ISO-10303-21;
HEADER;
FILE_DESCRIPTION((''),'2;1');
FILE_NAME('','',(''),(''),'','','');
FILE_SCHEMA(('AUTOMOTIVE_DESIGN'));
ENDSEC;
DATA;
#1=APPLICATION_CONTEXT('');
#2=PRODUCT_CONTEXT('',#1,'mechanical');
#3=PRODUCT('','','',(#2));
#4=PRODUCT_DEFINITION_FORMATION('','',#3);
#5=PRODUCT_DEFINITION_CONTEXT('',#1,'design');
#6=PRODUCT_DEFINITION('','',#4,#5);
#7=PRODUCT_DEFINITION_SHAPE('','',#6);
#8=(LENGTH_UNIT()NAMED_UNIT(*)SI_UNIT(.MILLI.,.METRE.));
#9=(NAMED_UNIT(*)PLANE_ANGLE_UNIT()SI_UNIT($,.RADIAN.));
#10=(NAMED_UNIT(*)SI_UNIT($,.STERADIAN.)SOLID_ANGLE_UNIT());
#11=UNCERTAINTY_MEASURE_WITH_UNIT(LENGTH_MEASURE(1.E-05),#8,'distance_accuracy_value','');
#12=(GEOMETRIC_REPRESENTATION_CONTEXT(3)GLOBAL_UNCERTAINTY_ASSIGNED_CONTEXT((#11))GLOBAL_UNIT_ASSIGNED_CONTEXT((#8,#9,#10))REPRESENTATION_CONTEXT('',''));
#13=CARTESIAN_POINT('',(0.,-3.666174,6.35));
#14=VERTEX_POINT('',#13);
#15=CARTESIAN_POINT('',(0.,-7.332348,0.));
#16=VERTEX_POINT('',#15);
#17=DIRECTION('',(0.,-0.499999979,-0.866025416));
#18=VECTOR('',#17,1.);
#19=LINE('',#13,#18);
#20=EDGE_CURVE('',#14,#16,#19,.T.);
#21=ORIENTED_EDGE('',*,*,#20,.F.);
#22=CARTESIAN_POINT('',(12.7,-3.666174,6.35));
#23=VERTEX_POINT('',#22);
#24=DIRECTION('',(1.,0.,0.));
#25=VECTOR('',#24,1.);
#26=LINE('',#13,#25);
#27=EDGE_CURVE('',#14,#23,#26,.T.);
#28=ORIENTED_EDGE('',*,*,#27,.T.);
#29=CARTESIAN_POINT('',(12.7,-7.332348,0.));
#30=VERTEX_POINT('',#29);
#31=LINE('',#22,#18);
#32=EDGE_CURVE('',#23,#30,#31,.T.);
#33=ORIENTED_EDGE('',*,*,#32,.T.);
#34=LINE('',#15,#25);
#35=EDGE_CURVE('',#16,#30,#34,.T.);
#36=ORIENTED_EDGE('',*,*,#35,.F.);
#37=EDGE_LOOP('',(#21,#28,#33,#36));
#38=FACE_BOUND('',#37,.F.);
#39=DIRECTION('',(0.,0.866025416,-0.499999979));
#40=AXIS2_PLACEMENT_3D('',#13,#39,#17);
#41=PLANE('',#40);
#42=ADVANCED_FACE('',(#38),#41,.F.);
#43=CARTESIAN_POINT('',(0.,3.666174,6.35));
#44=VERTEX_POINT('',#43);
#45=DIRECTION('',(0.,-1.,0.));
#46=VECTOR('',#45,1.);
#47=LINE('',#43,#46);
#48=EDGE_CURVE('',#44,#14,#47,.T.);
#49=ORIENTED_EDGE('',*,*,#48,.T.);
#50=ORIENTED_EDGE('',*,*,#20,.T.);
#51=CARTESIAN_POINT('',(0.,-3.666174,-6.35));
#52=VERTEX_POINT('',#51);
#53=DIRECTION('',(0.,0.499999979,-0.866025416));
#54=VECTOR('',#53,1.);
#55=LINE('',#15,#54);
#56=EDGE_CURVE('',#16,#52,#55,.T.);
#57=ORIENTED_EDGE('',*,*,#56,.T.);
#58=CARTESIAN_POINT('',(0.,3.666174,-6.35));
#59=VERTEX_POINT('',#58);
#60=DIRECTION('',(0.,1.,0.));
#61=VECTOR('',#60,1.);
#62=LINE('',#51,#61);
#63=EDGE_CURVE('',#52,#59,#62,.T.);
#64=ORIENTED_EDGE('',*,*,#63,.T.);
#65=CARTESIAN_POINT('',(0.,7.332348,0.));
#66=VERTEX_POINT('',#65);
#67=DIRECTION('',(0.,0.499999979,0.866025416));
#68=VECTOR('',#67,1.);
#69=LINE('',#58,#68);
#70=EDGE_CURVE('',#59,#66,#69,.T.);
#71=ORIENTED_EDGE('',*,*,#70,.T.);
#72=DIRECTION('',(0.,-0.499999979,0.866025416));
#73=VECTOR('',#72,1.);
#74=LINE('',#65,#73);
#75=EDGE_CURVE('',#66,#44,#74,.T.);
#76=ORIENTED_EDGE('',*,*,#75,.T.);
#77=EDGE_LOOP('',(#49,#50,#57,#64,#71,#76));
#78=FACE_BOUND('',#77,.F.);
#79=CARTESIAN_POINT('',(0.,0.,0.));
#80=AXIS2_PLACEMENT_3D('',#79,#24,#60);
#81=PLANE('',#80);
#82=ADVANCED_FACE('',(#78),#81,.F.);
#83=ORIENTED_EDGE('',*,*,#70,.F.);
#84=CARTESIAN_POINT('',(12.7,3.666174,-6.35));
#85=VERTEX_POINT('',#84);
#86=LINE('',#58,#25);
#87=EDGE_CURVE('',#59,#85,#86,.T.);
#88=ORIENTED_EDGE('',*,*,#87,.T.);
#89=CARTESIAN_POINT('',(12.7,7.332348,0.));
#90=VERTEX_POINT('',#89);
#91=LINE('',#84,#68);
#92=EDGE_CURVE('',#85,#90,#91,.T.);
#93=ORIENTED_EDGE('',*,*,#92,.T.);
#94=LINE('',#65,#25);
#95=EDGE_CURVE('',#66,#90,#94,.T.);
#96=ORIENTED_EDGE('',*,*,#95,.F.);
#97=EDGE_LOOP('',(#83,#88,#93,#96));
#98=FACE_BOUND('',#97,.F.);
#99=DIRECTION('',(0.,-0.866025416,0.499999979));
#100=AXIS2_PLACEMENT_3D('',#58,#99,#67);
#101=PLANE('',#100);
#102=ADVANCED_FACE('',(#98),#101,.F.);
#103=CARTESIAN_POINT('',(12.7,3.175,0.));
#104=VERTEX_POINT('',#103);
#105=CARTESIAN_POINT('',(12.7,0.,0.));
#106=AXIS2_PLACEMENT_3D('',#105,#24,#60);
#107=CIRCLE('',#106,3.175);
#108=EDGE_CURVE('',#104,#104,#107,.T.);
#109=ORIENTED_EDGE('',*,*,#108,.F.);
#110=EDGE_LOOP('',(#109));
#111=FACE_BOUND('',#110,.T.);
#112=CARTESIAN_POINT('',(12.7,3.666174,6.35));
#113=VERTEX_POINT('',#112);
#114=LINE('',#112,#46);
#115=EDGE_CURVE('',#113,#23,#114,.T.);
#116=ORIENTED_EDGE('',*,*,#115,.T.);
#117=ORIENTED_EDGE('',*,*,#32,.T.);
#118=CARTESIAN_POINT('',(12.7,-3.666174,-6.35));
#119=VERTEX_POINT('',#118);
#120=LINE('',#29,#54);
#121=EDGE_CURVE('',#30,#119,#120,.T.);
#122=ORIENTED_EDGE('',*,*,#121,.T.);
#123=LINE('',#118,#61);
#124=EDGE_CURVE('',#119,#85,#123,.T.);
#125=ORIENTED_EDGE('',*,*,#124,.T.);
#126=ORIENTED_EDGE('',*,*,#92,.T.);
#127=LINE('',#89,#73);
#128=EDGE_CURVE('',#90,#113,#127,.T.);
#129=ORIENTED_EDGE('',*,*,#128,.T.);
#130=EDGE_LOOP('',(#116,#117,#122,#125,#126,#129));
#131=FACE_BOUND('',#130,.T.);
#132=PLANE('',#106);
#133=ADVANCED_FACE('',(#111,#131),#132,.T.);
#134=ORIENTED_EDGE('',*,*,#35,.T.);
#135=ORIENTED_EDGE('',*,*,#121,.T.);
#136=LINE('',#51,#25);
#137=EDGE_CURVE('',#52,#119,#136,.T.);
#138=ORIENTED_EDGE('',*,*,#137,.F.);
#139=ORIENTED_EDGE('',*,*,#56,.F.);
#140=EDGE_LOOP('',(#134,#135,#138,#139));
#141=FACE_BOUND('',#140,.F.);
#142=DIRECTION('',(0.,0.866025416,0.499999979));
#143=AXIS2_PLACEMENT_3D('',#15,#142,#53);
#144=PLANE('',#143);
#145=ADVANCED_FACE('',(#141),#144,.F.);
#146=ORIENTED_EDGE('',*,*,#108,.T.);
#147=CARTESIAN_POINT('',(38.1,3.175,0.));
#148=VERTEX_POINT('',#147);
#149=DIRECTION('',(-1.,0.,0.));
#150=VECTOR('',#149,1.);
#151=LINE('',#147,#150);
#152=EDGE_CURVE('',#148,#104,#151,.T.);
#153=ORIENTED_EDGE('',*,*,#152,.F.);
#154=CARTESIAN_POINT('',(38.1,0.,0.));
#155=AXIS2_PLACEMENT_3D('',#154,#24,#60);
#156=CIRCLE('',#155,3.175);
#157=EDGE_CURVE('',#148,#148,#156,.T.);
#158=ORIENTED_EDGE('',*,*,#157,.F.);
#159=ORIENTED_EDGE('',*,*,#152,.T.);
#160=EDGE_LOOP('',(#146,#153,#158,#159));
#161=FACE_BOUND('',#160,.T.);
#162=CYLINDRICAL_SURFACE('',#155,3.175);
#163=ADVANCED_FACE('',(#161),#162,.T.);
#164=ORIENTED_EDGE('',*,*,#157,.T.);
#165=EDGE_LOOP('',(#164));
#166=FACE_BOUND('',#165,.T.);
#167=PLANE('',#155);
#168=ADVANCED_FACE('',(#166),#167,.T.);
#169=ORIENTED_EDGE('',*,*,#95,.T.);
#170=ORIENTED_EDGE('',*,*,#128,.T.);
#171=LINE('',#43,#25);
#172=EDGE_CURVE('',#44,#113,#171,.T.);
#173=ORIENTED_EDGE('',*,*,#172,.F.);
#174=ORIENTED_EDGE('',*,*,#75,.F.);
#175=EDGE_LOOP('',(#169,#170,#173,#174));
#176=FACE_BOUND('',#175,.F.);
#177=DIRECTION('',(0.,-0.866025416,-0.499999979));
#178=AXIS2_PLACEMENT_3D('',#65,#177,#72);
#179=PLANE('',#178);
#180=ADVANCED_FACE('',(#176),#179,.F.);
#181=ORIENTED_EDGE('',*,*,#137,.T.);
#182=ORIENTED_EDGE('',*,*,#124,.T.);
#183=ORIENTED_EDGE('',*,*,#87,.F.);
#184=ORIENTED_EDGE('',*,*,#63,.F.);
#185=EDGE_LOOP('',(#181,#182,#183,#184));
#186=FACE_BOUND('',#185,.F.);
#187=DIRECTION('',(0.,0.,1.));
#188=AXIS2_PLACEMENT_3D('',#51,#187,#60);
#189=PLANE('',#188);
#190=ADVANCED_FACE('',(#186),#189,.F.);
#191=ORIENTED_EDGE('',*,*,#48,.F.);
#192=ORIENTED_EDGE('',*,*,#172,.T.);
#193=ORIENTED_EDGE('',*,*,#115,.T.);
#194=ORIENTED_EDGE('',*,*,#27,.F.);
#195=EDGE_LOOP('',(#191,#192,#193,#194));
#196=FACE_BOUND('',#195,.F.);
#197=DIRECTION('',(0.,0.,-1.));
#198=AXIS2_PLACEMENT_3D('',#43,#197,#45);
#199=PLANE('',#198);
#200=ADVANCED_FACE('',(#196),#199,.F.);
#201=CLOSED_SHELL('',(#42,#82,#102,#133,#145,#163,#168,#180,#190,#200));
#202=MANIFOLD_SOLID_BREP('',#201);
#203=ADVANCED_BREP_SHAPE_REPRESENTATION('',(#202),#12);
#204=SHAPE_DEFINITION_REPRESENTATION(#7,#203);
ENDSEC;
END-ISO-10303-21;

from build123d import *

# Parameters (mm, degrees)
F1_DEPTH = 38.1
F2_R     = 3.175
F3_DEPTH = 25.4


with BuildPart() as f1:
    # F0 (on Right) → F1 (new body)
    with BuildSketch(Plane.YZ):
        Polygon((7.332348, 0), (3.666174, 6.35), (-3.666174, 6.35), (-7.332348, 0), (-3.666174, -6.35), (3.666174, -6.35), align=None)
    extrude(amount=F1_DEPTH)

    # F2 (on face) → F3 (cut)
    with BuildSketch(Plane.YZ.offset(38.1)):
        Polygon((-3.666174, -6.35), (3.666174, -6.35), (7.332348, 0), (3.666174, 6.35), (-3.666174, 6.35), (-7.332348, 0), align=None)
        Circle(F2_R, mode=Mode.SUBTRACT)
    extrude(amount=-F3_DEPTH, mode=Mode.SUBTRACT)


solid = f1.part
